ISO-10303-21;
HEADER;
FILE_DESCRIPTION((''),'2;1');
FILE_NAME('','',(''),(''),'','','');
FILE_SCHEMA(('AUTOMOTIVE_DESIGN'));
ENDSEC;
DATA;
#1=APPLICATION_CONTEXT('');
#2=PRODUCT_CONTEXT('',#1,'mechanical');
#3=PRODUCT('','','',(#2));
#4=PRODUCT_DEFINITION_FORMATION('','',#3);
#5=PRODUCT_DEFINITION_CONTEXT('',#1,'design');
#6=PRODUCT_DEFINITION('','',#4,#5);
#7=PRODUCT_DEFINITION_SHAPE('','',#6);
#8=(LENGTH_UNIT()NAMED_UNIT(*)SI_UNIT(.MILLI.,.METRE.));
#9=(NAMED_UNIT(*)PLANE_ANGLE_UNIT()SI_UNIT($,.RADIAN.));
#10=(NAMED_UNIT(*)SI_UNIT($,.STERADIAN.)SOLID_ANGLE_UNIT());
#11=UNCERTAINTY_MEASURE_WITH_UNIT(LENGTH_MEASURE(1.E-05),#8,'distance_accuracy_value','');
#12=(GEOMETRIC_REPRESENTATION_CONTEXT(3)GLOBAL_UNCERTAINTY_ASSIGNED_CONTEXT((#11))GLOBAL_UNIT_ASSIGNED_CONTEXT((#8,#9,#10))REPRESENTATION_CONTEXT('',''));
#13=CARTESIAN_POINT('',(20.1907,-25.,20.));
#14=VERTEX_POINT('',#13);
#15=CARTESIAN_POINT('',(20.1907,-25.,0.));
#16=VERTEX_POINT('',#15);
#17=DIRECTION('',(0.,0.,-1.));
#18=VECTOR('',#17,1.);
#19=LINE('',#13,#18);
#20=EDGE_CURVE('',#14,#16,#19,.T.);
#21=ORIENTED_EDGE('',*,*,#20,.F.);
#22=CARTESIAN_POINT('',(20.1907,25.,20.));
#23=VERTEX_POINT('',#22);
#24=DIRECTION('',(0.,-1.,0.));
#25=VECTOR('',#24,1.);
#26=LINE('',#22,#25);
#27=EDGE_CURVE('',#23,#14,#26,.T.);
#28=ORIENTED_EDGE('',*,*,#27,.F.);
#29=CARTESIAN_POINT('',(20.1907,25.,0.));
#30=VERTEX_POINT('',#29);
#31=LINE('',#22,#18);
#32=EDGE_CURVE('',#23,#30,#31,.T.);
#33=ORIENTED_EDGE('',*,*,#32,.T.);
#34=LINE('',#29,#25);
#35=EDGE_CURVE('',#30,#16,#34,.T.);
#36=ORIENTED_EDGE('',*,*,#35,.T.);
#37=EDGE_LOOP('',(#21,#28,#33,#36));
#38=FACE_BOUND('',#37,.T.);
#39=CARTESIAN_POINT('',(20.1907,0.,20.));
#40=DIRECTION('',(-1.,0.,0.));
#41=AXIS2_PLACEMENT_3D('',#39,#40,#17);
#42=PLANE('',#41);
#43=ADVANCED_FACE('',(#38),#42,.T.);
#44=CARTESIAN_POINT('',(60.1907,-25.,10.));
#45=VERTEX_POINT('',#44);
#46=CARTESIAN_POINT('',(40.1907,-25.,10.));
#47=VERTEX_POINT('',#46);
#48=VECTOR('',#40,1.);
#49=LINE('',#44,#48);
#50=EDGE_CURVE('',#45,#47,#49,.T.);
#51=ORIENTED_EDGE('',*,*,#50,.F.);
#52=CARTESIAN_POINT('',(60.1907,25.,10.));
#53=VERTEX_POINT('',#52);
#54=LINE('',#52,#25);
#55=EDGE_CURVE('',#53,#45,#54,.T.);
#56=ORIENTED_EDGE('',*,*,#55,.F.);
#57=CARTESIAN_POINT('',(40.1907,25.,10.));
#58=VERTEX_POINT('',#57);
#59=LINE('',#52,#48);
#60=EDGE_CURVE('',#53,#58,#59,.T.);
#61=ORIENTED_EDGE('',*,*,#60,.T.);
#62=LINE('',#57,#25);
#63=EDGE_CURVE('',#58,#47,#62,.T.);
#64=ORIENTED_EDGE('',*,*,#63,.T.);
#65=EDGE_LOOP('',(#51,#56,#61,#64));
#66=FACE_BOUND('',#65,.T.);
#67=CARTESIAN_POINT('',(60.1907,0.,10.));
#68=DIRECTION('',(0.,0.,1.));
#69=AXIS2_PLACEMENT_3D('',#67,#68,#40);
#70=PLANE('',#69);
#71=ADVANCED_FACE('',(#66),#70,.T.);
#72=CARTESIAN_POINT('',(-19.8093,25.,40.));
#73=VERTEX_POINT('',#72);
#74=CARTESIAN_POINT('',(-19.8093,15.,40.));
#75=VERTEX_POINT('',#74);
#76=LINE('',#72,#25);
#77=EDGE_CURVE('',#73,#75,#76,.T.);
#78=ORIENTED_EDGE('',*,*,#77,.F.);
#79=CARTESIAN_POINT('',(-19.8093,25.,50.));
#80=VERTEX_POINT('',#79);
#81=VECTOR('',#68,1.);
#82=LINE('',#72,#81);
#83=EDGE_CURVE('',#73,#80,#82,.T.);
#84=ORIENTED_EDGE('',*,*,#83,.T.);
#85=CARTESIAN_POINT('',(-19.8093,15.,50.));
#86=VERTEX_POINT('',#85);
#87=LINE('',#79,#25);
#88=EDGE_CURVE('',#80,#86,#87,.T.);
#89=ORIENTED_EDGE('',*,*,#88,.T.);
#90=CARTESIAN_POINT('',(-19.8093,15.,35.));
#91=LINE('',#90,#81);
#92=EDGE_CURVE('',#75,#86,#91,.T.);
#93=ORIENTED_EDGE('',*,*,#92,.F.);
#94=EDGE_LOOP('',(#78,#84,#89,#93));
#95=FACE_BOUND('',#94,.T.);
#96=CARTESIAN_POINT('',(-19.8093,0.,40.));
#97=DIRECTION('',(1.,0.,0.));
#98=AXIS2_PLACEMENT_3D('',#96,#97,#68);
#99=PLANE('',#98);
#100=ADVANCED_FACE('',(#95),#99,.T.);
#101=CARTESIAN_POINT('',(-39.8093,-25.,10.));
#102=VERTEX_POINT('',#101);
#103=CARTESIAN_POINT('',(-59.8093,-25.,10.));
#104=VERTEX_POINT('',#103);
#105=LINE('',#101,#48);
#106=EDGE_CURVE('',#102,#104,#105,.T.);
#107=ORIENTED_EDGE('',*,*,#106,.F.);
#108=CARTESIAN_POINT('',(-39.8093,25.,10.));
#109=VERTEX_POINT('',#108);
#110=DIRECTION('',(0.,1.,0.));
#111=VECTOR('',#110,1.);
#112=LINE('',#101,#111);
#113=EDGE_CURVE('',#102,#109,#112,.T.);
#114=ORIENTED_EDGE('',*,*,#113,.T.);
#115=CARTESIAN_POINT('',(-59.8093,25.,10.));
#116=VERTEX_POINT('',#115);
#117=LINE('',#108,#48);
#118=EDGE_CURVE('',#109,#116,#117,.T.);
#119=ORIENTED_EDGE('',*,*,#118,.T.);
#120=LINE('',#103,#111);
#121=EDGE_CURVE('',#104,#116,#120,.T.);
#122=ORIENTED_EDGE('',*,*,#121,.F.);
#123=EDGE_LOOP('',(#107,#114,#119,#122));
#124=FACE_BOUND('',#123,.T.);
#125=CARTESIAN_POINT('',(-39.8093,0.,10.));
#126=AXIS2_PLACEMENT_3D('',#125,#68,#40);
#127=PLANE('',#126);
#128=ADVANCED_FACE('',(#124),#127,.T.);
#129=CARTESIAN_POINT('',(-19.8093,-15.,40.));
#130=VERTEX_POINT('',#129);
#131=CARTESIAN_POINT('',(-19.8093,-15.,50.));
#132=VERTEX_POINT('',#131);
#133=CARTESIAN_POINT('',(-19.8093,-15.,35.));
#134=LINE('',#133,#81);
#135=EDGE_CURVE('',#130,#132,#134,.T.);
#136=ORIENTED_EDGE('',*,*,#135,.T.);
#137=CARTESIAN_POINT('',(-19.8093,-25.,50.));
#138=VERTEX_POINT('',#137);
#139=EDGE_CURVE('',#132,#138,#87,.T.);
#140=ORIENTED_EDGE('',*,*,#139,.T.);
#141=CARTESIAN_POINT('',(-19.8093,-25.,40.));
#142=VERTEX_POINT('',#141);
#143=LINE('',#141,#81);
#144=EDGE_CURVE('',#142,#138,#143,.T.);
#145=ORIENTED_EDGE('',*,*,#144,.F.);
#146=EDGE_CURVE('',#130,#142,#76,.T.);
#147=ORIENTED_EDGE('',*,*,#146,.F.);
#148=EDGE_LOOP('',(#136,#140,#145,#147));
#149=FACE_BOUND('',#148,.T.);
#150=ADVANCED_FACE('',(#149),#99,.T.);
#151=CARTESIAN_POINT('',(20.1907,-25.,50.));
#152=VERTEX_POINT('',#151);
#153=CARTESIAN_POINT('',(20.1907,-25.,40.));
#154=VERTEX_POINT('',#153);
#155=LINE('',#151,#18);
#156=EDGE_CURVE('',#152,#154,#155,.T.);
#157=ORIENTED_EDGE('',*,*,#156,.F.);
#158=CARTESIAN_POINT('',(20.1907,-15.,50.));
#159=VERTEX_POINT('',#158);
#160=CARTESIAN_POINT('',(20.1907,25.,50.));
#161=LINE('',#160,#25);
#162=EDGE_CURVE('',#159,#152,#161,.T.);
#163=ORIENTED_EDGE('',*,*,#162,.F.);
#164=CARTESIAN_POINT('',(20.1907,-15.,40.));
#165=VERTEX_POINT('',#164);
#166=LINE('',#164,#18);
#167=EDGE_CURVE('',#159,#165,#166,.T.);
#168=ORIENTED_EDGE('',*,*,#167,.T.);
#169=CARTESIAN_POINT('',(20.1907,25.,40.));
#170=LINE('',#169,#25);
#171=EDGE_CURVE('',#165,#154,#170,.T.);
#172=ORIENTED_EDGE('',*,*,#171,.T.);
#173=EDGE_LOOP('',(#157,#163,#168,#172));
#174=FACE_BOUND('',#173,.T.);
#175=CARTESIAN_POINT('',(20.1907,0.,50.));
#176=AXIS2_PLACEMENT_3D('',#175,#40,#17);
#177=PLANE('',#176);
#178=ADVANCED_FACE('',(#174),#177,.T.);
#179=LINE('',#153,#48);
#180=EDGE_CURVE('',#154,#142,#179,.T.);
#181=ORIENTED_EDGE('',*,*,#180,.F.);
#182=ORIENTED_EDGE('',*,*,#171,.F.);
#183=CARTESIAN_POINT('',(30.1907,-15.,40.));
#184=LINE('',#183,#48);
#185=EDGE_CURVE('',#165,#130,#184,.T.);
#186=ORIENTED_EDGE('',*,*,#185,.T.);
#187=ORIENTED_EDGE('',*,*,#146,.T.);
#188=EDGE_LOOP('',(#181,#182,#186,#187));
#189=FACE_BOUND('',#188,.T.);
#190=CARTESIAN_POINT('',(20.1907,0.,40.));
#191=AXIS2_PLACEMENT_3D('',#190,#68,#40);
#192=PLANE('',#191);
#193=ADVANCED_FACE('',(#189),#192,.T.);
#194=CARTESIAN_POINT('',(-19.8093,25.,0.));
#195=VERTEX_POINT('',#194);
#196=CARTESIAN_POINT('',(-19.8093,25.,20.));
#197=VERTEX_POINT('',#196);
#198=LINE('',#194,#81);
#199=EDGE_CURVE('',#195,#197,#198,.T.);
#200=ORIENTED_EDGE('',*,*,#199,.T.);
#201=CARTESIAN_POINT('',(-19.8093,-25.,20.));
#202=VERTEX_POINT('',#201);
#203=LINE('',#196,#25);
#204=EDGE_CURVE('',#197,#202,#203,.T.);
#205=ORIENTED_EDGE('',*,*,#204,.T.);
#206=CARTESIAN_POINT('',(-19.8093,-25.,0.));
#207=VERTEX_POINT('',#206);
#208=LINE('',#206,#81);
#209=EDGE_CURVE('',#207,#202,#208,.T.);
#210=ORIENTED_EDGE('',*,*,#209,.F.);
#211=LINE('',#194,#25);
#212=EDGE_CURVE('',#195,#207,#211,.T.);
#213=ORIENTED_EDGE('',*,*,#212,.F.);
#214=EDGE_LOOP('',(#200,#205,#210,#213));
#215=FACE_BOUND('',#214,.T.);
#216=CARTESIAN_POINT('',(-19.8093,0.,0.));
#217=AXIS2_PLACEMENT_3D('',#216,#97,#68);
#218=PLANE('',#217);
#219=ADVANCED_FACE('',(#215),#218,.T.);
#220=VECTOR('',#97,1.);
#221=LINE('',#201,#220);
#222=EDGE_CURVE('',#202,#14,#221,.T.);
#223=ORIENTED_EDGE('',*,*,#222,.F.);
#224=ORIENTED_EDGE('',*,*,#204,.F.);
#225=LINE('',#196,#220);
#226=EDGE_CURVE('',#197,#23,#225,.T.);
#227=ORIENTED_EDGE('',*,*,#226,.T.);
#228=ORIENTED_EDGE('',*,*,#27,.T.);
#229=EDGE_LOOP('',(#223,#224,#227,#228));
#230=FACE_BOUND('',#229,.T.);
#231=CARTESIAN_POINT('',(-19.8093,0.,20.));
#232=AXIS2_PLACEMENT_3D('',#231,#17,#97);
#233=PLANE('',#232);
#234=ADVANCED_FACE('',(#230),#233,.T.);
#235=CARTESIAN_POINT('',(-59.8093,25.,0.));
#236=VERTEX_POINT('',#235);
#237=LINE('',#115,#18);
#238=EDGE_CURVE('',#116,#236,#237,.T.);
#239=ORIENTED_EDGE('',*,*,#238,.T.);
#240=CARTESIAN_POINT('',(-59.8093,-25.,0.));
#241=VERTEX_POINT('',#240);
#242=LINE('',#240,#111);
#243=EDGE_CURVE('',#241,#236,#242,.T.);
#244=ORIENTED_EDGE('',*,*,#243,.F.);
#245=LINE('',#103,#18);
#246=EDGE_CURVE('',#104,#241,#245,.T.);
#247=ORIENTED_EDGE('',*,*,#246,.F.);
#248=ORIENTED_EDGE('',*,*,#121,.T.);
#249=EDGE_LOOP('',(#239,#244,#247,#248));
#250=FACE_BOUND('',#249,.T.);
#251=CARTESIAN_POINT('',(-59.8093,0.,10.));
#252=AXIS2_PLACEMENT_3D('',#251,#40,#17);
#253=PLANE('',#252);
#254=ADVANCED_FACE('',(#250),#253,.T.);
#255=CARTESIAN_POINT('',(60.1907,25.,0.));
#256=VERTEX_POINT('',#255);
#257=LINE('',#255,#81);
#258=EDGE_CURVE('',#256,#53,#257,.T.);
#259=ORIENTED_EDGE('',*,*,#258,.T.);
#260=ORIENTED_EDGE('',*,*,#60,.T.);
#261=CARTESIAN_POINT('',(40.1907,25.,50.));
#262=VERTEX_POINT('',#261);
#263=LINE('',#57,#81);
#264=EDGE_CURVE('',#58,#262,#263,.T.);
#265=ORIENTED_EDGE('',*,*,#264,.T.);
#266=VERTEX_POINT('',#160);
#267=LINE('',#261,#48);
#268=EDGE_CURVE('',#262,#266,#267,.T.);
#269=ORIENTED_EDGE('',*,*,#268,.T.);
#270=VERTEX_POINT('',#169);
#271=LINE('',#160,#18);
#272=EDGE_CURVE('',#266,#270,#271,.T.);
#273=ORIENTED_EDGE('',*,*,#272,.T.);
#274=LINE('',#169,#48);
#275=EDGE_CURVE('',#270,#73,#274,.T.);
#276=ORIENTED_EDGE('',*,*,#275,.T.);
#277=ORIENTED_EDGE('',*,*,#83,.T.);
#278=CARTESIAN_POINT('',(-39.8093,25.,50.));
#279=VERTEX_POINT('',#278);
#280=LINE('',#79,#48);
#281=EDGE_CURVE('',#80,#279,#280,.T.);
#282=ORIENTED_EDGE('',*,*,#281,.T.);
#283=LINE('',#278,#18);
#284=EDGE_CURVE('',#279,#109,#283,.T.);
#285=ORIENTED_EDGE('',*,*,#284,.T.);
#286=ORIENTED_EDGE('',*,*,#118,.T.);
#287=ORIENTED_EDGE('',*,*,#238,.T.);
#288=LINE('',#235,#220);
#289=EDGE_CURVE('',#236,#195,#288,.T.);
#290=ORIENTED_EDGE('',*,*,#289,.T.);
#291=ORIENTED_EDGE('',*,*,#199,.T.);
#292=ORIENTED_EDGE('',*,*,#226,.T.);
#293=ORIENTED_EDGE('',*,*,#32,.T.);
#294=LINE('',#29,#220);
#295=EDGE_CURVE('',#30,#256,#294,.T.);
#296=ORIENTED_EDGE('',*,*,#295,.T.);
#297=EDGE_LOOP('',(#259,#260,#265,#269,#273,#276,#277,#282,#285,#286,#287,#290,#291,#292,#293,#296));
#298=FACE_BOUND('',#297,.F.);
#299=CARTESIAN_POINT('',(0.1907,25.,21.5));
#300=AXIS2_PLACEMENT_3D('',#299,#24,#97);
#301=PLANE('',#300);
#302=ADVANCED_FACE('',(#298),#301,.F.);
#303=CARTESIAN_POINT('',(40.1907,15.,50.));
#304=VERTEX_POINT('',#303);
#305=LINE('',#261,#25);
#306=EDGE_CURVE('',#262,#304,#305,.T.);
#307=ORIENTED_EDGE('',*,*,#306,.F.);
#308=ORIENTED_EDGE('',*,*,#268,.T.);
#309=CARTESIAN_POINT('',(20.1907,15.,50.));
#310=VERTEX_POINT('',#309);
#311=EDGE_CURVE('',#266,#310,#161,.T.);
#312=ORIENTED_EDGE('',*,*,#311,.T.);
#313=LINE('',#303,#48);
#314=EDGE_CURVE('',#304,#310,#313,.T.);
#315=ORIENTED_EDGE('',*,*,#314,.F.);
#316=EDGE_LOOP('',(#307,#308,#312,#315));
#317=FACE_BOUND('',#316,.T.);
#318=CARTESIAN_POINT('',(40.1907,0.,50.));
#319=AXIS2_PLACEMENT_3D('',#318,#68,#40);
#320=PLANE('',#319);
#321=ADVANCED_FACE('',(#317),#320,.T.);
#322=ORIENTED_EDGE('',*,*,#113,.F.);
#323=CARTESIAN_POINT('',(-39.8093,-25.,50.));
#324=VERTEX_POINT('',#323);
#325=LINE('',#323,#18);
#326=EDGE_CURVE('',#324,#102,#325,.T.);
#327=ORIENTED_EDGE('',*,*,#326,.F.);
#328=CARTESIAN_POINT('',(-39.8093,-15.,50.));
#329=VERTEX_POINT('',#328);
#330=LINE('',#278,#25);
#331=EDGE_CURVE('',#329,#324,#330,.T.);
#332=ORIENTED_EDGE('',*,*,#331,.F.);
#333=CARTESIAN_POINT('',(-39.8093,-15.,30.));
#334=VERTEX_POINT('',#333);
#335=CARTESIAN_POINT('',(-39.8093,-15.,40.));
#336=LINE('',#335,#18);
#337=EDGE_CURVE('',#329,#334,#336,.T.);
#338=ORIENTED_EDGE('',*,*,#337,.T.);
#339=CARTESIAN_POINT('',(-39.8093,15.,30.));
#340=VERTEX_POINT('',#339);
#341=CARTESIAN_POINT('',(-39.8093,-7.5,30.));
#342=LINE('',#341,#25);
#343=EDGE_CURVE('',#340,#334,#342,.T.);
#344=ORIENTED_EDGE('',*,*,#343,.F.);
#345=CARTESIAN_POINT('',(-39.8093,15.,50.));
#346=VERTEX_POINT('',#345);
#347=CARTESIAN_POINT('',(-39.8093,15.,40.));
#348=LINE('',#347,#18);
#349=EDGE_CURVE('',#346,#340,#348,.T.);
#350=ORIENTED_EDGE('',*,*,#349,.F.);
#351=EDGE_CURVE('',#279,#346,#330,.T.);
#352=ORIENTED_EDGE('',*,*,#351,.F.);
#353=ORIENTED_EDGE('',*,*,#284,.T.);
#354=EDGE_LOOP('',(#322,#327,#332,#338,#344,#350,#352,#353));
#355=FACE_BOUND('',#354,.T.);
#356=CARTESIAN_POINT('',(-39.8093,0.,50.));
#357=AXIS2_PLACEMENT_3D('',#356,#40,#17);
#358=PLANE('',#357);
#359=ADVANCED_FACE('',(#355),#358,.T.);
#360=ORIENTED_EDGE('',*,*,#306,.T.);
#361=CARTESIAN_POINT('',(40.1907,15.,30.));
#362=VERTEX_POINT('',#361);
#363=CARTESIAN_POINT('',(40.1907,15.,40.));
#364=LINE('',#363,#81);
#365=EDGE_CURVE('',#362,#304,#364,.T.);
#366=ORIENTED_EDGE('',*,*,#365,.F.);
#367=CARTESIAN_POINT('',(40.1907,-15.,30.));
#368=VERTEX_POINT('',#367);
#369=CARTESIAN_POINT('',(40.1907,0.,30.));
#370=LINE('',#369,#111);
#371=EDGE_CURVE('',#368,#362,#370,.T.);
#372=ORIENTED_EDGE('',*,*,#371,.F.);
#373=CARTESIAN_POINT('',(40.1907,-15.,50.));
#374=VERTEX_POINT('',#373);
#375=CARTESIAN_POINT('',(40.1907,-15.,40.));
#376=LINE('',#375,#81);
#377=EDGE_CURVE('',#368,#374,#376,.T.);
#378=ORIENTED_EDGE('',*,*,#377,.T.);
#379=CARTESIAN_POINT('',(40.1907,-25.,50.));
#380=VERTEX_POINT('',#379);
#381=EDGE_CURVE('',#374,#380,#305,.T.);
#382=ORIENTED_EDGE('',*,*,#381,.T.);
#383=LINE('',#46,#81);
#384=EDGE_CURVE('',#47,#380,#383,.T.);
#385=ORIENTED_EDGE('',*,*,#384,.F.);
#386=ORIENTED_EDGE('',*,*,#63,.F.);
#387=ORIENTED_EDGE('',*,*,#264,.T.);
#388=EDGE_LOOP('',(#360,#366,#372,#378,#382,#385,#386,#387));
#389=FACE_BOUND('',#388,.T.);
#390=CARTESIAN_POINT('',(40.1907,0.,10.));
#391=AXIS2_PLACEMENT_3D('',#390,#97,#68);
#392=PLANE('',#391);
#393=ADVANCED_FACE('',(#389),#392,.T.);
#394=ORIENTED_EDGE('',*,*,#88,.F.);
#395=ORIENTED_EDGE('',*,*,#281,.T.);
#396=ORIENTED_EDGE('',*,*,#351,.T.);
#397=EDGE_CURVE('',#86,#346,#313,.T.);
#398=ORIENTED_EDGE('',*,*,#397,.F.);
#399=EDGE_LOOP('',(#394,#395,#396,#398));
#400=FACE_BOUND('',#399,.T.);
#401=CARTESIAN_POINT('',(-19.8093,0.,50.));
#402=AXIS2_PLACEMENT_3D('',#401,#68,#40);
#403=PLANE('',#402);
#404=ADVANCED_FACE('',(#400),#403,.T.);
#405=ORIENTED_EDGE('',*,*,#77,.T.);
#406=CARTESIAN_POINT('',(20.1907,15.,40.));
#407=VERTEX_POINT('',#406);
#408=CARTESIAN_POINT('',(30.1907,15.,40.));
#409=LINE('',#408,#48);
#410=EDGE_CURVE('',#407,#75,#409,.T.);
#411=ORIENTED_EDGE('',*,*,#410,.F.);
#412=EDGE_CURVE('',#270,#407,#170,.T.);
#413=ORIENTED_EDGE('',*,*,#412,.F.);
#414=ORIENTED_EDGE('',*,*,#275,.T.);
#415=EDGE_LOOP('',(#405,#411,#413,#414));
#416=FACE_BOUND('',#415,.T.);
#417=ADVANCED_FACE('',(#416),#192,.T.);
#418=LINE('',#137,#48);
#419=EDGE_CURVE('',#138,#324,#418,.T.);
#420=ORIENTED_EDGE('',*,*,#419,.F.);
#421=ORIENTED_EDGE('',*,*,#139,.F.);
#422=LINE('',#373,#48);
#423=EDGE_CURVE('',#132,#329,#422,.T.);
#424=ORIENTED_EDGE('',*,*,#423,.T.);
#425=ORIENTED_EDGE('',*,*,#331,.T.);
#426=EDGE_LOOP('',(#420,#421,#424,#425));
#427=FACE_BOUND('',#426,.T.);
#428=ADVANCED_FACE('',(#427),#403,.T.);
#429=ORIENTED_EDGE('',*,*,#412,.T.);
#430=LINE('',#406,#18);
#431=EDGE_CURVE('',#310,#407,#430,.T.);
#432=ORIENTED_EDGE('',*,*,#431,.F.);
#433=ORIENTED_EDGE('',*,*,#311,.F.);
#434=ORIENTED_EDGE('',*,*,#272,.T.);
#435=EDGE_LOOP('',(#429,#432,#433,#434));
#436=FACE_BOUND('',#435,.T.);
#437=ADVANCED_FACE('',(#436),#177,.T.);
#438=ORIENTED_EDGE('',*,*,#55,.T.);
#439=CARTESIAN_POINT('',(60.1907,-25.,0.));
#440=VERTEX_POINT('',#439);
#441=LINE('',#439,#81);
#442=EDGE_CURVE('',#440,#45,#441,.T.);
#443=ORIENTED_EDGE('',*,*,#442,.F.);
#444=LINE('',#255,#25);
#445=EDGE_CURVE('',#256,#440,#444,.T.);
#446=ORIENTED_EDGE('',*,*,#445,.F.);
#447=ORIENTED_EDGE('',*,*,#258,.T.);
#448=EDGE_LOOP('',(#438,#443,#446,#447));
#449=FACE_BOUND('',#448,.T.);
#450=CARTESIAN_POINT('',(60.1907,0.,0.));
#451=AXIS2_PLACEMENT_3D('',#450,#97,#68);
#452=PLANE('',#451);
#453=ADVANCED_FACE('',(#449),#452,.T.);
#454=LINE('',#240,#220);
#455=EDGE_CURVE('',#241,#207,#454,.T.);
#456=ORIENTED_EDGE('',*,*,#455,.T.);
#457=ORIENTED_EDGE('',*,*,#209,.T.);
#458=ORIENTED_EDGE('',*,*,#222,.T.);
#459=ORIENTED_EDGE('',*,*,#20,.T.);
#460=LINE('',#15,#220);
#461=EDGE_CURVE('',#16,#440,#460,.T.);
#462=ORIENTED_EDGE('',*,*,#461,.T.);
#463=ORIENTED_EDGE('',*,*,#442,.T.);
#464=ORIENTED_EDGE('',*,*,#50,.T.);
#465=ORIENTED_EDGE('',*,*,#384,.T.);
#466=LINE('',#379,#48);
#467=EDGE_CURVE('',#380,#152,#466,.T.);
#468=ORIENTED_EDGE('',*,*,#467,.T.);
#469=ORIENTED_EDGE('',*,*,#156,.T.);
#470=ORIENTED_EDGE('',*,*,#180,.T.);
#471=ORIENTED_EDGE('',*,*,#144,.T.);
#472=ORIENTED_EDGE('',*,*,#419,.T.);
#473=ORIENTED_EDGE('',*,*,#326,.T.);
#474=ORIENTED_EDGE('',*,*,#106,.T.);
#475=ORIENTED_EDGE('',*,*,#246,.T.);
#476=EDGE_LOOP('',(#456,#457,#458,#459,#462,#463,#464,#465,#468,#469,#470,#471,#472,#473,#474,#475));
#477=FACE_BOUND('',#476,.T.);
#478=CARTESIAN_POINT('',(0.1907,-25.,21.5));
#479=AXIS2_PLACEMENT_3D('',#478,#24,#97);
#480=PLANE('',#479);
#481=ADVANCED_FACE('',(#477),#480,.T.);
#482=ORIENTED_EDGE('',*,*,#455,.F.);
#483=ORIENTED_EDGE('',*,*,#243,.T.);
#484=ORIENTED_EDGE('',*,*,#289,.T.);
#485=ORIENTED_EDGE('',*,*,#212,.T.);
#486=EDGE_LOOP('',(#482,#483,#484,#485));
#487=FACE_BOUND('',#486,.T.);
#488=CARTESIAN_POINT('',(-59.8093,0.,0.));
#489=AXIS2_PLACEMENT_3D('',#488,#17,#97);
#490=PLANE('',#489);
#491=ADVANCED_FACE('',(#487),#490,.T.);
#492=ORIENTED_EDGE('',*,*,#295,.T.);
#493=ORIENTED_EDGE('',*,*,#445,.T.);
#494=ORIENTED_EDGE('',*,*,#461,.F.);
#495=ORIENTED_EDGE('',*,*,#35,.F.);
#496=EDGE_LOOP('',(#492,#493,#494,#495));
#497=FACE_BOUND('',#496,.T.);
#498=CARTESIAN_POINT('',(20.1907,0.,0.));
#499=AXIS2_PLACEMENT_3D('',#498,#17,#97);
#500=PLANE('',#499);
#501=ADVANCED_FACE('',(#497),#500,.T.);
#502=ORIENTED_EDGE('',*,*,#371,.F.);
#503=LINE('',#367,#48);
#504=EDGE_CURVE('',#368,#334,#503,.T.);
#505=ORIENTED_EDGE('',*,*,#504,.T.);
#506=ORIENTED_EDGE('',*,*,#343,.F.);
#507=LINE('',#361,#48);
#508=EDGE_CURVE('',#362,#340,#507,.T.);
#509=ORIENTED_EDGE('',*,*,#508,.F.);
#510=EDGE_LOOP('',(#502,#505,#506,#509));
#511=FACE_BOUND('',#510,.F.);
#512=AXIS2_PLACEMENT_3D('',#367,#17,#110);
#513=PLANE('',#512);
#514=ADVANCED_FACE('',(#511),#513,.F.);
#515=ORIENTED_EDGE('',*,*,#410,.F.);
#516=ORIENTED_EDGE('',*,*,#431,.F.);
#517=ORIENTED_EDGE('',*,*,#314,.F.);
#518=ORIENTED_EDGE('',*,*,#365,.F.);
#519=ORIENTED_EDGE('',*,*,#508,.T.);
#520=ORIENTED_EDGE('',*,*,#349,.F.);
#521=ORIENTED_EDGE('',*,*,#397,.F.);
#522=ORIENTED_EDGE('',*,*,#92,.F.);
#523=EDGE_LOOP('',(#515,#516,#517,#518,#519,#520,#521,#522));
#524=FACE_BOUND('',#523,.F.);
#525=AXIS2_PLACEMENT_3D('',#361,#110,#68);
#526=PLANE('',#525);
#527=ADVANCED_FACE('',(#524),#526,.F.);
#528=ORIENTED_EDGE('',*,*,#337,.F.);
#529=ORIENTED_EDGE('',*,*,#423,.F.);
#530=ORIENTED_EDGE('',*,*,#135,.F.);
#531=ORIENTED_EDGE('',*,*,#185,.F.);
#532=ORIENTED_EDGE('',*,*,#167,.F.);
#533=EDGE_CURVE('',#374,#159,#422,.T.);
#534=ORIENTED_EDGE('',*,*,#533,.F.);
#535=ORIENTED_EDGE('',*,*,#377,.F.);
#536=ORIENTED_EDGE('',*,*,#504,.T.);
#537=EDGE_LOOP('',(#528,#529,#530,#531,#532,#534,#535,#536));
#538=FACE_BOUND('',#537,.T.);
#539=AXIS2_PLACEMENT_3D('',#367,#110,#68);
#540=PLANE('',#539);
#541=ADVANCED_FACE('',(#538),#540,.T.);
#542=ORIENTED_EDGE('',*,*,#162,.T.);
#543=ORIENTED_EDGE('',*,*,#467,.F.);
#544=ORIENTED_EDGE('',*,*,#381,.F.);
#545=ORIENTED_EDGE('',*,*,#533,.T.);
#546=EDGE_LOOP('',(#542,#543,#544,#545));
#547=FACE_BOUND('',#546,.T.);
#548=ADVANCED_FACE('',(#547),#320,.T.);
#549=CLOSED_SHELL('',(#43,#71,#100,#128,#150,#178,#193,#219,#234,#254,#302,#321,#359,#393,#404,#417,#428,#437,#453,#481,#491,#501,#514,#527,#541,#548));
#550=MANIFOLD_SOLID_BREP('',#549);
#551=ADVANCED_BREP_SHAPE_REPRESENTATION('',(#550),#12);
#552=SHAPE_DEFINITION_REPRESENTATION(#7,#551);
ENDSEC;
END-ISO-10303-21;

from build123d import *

# Parameters (mm, degrees)
F2_DEPTH = 25
F3_W     = 30
F3_H     = 20
F4_DEPTH = 100.001


with BuildPart() as f2:
    # F1 (on Front) → F2 (new body, symmetric)
    with BuildSketch(Plane.XZ):
        Polygon((-59.8092996926, 0), (-19.8092996926, 0), (-19.8092996926, 20), (20.1907003074, 20), (20.1907003074, 0), (60.1907003074, 0), (60.1907003074, 10), (40.1907003074, 10), (40.1907003074, 50), (20.1907003074, 50), (20.1907003074, 40), (-19.8092996926, 40), (-19.8092996926, 50), (-39.8092996926, 50), (-39.8092996926, 10), (-59.8092996926, 10), align=None)
    extrude(amount=F2_DEPTH, both=True)

    # F3 (on face) → F4 (cut, through all)
    with BuildSketch(Plane.YZ.offset(40.1907003074)):
        with Locations((0, 40)):
            Rectangle(F3_W, F3_H)
    extrude(amount=-F4_DEPTH, mode=Mode.SUBTRACT)


solid = f2.part
